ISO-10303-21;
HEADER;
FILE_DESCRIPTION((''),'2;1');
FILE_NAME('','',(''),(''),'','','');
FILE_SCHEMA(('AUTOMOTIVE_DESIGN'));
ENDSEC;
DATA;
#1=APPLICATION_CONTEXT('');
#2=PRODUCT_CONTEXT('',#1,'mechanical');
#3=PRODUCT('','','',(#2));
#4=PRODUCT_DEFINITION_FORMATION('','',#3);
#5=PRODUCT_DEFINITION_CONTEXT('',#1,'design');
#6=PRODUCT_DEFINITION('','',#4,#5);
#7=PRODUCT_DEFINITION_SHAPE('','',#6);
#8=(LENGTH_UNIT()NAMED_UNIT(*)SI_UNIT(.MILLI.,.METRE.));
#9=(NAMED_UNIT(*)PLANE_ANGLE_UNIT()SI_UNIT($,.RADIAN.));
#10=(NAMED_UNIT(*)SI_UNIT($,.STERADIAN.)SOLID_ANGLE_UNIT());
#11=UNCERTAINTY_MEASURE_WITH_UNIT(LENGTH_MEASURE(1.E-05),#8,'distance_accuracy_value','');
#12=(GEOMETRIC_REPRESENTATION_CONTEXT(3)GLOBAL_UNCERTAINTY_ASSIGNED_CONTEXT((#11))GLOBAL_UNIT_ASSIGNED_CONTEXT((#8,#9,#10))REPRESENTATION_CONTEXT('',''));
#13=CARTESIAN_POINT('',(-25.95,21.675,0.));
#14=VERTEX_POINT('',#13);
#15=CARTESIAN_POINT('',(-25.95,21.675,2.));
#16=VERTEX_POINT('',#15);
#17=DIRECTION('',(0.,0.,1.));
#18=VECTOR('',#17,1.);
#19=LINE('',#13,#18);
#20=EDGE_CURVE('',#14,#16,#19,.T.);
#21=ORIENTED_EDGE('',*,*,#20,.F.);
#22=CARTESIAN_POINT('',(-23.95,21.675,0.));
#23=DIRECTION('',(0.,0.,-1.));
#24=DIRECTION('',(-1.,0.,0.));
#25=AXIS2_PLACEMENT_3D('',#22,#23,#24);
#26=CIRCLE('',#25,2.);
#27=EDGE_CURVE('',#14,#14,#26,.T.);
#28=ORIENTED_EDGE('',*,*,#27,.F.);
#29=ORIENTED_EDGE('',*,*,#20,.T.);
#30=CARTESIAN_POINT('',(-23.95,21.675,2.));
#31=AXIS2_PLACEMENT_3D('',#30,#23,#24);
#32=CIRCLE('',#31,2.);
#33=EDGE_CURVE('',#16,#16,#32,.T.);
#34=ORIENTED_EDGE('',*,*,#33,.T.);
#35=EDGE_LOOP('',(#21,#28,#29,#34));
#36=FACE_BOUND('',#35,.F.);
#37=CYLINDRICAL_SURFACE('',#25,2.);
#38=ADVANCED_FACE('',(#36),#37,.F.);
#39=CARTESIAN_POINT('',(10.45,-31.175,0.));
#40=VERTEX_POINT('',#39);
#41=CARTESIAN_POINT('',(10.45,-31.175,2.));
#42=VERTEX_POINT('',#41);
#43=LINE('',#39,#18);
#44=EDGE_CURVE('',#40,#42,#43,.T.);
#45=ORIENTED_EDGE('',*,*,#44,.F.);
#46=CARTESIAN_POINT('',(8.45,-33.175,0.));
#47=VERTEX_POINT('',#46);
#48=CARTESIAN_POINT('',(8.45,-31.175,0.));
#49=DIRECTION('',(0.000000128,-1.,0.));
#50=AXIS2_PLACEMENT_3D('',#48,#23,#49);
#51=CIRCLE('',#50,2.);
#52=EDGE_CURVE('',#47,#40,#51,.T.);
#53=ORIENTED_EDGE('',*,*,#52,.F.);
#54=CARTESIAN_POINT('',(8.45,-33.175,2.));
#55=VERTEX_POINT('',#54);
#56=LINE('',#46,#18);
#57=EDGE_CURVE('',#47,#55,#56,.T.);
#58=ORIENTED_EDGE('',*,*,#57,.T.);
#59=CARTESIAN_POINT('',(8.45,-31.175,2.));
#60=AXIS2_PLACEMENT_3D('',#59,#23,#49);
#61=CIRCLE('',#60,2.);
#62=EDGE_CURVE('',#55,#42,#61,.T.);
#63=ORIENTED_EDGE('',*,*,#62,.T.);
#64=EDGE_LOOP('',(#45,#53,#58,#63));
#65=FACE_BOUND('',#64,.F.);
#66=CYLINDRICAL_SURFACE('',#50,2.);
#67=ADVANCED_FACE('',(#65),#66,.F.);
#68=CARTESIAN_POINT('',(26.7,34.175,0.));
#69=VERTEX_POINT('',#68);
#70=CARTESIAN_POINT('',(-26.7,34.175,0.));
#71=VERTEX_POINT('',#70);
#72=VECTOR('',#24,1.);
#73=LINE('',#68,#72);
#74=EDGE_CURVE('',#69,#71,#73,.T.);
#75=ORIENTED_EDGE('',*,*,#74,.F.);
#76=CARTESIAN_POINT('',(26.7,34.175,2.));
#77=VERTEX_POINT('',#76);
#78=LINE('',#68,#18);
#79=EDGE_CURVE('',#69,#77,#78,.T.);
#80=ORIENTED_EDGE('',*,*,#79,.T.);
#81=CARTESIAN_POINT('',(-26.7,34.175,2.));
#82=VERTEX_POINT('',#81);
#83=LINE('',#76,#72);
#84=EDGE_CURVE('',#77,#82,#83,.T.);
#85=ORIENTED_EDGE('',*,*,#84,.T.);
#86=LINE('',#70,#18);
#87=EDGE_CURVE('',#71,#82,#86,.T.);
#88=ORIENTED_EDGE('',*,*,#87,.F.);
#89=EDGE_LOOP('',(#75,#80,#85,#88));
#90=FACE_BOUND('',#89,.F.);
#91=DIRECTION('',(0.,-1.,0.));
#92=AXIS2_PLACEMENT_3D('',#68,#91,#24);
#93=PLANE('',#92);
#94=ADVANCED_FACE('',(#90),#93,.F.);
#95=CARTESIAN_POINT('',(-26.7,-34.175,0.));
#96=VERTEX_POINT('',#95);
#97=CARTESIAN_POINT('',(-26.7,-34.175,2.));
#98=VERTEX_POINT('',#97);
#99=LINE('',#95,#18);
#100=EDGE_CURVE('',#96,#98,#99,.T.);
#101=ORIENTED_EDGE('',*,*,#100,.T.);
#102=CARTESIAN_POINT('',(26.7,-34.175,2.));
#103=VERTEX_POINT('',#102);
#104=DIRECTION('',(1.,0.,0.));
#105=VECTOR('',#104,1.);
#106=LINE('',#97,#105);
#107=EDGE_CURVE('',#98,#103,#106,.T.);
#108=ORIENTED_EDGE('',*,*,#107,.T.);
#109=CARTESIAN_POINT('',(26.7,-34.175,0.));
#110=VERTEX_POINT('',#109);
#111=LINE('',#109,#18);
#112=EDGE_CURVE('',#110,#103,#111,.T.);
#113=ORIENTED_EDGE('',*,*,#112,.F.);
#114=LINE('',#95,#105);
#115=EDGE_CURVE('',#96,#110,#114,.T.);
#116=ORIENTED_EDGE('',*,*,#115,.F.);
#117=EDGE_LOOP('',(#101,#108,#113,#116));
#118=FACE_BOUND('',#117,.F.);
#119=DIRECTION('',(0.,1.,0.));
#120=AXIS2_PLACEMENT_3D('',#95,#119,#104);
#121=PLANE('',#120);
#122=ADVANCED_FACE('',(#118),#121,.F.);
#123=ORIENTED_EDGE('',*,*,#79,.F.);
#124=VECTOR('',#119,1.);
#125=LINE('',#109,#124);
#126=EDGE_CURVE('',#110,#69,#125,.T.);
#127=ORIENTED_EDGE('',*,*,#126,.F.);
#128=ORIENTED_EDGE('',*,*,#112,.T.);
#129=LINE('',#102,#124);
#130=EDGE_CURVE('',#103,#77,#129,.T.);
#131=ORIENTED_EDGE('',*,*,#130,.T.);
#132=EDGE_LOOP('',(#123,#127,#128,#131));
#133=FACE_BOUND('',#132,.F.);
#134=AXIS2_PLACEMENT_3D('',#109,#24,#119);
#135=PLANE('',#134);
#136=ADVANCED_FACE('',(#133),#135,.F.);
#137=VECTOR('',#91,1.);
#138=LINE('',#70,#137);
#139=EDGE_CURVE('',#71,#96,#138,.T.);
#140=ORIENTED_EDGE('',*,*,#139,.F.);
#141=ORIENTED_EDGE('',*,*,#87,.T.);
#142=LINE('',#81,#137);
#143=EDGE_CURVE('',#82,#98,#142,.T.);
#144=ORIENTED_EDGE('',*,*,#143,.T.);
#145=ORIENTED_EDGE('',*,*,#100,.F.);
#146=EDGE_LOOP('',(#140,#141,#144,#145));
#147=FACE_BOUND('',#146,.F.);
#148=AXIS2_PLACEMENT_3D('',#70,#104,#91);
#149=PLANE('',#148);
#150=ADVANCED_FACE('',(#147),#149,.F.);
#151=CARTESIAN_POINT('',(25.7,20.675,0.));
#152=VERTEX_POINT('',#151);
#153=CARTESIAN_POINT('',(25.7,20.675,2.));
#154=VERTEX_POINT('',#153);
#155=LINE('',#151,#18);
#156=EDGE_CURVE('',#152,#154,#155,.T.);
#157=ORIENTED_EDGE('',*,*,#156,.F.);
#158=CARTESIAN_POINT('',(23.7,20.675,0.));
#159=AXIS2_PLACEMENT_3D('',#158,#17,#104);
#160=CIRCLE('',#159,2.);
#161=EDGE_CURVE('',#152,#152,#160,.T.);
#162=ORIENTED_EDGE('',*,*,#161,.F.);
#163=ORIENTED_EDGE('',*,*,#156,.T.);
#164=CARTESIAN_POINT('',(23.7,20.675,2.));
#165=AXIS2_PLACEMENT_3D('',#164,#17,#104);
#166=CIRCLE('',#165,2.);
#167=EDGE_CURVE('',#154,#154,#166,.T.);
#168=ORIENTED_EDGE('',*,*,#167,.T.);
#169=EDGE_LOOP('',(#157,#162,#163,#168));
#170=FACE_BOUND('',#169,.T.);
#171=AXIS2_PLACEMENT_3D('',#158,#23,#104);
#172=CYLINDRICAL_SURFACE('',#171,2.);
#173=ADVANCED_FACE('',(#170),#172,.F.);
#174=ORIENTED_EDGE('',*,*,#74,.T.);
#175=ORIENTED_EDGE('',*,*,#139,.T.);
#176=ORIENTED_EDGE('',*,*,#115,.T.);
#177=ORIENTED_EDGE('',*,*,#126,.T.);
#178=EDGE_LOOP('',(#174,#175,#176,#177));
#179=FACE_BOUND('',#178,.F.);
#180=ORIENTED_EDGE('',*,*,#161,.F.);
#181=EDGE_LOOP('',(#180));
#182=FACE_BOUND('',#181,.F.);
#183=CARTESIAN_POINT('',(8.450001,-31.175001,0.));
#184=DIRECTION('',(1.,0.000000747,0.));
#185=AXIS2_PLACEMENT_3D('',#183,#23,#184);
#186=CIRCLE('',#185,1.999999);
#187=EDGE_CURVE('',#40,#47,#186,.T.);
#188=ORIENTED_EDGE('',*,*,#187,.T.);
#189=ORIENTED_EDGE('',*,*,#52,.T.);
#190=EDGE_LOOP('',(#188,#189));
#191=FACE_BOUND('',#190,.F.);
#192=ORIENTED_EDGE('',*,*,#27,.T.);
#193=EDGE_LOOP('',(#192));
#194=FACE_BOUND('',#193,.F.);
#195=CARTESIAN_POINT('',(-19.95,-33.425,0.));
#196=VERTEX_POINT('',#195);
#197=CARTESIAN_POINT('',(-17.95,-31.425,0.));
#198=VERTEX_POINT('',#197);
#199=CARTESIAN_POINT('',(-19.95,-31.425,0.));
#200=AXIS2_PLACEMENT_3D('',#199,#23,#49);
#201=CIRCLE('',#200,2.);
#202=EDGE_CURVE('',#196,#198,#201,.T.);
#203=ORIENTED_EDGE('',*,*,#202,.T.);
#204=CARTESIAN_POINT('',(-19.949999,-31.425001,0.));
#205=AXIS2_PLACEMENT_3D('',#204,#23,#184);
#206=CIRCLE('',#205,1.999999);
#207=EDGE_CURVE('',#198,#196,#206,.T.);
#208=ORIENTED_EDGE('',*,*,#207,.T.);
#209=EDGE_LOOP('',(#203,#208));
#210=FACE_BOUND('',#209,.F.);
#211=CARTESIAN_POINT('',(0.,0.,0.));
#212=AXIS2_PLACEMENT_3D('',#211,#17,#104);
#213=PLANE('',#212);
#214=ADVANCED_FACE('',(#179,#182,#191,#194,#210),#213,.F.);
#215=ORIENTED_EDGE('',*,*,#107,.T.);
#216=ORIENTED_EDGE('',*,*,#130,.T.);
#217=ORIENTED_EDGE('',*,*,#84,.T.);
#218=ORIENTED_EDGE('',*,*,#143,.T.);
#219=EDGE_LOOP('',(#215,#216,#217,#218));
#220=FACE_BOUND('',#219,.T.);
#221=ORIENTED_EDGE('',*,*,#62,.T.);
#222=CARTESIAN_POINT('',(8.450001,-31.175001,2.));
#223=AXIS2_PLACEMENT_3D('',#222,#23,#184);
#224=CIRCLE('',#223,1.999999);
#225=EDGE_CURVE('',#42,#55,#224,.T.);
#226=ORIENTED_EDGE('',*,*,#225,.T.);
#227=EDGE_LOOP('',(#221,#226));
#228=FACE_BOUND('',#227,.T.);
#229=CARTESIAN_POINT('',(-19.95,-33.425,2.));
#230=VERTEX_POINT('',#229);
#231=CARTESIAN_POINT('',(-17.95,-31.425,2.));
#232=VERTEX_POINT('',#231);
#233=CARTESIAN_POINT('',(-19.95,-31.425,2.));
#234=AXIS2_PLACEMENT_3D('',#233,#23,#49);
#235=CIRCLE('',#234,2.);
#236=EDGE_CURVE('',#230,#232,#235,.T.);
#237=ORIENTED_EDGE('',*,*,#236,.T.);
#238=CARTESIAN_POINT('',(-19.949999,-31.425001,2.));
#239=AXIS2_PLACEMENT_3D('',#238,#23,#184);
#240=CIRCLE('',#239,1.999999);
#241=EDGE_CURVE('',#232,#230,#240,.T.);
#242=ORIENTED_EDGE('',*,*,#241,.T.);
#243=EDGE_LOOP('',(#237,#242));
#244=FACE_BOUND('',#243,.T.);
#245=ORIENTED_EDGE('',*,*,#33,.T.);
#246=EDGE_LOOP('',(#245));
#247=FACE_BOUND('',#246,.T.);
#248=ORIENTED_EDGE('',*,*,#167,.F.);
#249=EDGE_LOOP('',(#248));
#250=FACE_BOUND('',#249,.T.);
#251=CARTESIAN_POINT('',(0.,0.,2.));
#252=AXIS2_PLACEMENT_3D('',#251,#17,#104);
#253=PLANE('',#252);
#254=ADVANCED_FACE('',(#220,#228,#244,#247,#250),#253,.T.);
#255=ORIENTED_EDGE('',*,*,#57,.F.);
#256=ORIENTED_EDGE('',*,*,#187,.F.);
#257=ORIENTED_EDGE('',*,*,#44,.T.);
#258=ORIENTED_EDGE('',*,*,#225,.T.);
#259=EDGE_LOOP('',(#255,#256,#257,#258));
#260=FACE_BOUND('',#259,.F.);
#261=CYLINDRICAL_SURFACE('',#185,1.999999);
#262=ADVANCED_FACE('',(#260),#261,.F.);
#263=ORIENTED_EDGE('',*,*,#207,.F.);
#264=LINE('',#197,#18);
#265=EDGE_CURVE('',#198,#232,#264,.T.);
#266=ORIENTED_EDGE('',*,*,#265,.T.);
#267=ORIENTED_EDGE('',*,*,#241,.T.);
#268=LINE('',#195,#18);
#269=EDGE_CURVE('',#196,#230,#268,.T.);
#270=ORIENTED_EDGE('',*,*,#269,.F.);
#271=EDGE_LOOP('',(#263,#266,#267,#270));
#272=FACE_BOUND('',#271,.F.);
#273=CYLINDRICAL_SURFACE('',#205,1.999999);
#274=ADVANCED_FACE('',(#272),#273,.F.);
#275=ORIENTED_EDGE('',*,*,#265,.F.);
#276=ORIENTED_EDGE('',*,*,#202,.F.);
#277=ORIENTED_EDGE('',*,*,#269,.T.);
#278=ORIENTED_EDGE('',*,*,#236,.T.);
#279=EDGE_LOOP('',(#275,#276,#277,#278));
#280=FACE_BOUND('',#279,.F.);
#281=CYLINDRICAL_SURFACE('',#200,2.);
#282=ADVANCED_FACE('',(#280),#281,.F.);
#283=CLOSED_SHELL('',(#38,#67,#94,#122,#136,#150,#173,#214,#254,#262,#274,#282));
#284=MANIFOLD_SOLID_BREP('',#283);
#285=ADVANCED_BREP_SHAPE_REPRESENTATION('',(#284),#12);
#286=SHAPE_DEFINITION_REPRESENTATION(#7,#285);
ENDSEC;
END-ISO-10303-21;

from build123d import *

# Parameters (mm, degrees)
F0_R     = 2
F1_DEPTH = 2


with BuildPart() as f1:
    # F0 (on Top) → F1 (new body)
    with BuildSketch(Plane.XY):
        Polygon((26.7, 20.675), (26.7, 34.175), (-26.7, 34.175), (-26.7, 21.675), (-26.7, -34.175), (-19.95, -34.175), (8.45, -34.175), (26.7, -34.175), align=None)
        with BuildLine():
            ThreePointArc((-17.95, -31.425), (-18.535786, -32.839214), (-19.95, -33.425))
            ThreePointArc((-19.95, -33.425), (-21.364214, -30.010786), (-17.95, -31.425))
        make_face(mode=Mode.SUBTRACT)
        with BuildLine():
            ThreePointArc((10.45, -31.175), (9.864214, -32.589214), (8.45, -33.175))
            ThreePointArc((8.45, -33.175), (7.035786, -29.760786), (10.45, -31.175))
        make_face(mode=Mode.SUBTRACT)
        with BuildLine():
            ThreePointArc((-21.95, 21.675), (-23.95, 19.675), (-25.95, 21.675))
            ThreePointArc((-25.95, 21.675), (-23.95, 23.675), (-21.95, 21.675))
        make_face(mode=Mode.SUBTRACT)
        with Locations((23.7, 20.675)):
            Circle(F0_R, mode=Mode.SUBTRACT)
    extrude(amount=F1_DEPTH)


solid = f1.part
